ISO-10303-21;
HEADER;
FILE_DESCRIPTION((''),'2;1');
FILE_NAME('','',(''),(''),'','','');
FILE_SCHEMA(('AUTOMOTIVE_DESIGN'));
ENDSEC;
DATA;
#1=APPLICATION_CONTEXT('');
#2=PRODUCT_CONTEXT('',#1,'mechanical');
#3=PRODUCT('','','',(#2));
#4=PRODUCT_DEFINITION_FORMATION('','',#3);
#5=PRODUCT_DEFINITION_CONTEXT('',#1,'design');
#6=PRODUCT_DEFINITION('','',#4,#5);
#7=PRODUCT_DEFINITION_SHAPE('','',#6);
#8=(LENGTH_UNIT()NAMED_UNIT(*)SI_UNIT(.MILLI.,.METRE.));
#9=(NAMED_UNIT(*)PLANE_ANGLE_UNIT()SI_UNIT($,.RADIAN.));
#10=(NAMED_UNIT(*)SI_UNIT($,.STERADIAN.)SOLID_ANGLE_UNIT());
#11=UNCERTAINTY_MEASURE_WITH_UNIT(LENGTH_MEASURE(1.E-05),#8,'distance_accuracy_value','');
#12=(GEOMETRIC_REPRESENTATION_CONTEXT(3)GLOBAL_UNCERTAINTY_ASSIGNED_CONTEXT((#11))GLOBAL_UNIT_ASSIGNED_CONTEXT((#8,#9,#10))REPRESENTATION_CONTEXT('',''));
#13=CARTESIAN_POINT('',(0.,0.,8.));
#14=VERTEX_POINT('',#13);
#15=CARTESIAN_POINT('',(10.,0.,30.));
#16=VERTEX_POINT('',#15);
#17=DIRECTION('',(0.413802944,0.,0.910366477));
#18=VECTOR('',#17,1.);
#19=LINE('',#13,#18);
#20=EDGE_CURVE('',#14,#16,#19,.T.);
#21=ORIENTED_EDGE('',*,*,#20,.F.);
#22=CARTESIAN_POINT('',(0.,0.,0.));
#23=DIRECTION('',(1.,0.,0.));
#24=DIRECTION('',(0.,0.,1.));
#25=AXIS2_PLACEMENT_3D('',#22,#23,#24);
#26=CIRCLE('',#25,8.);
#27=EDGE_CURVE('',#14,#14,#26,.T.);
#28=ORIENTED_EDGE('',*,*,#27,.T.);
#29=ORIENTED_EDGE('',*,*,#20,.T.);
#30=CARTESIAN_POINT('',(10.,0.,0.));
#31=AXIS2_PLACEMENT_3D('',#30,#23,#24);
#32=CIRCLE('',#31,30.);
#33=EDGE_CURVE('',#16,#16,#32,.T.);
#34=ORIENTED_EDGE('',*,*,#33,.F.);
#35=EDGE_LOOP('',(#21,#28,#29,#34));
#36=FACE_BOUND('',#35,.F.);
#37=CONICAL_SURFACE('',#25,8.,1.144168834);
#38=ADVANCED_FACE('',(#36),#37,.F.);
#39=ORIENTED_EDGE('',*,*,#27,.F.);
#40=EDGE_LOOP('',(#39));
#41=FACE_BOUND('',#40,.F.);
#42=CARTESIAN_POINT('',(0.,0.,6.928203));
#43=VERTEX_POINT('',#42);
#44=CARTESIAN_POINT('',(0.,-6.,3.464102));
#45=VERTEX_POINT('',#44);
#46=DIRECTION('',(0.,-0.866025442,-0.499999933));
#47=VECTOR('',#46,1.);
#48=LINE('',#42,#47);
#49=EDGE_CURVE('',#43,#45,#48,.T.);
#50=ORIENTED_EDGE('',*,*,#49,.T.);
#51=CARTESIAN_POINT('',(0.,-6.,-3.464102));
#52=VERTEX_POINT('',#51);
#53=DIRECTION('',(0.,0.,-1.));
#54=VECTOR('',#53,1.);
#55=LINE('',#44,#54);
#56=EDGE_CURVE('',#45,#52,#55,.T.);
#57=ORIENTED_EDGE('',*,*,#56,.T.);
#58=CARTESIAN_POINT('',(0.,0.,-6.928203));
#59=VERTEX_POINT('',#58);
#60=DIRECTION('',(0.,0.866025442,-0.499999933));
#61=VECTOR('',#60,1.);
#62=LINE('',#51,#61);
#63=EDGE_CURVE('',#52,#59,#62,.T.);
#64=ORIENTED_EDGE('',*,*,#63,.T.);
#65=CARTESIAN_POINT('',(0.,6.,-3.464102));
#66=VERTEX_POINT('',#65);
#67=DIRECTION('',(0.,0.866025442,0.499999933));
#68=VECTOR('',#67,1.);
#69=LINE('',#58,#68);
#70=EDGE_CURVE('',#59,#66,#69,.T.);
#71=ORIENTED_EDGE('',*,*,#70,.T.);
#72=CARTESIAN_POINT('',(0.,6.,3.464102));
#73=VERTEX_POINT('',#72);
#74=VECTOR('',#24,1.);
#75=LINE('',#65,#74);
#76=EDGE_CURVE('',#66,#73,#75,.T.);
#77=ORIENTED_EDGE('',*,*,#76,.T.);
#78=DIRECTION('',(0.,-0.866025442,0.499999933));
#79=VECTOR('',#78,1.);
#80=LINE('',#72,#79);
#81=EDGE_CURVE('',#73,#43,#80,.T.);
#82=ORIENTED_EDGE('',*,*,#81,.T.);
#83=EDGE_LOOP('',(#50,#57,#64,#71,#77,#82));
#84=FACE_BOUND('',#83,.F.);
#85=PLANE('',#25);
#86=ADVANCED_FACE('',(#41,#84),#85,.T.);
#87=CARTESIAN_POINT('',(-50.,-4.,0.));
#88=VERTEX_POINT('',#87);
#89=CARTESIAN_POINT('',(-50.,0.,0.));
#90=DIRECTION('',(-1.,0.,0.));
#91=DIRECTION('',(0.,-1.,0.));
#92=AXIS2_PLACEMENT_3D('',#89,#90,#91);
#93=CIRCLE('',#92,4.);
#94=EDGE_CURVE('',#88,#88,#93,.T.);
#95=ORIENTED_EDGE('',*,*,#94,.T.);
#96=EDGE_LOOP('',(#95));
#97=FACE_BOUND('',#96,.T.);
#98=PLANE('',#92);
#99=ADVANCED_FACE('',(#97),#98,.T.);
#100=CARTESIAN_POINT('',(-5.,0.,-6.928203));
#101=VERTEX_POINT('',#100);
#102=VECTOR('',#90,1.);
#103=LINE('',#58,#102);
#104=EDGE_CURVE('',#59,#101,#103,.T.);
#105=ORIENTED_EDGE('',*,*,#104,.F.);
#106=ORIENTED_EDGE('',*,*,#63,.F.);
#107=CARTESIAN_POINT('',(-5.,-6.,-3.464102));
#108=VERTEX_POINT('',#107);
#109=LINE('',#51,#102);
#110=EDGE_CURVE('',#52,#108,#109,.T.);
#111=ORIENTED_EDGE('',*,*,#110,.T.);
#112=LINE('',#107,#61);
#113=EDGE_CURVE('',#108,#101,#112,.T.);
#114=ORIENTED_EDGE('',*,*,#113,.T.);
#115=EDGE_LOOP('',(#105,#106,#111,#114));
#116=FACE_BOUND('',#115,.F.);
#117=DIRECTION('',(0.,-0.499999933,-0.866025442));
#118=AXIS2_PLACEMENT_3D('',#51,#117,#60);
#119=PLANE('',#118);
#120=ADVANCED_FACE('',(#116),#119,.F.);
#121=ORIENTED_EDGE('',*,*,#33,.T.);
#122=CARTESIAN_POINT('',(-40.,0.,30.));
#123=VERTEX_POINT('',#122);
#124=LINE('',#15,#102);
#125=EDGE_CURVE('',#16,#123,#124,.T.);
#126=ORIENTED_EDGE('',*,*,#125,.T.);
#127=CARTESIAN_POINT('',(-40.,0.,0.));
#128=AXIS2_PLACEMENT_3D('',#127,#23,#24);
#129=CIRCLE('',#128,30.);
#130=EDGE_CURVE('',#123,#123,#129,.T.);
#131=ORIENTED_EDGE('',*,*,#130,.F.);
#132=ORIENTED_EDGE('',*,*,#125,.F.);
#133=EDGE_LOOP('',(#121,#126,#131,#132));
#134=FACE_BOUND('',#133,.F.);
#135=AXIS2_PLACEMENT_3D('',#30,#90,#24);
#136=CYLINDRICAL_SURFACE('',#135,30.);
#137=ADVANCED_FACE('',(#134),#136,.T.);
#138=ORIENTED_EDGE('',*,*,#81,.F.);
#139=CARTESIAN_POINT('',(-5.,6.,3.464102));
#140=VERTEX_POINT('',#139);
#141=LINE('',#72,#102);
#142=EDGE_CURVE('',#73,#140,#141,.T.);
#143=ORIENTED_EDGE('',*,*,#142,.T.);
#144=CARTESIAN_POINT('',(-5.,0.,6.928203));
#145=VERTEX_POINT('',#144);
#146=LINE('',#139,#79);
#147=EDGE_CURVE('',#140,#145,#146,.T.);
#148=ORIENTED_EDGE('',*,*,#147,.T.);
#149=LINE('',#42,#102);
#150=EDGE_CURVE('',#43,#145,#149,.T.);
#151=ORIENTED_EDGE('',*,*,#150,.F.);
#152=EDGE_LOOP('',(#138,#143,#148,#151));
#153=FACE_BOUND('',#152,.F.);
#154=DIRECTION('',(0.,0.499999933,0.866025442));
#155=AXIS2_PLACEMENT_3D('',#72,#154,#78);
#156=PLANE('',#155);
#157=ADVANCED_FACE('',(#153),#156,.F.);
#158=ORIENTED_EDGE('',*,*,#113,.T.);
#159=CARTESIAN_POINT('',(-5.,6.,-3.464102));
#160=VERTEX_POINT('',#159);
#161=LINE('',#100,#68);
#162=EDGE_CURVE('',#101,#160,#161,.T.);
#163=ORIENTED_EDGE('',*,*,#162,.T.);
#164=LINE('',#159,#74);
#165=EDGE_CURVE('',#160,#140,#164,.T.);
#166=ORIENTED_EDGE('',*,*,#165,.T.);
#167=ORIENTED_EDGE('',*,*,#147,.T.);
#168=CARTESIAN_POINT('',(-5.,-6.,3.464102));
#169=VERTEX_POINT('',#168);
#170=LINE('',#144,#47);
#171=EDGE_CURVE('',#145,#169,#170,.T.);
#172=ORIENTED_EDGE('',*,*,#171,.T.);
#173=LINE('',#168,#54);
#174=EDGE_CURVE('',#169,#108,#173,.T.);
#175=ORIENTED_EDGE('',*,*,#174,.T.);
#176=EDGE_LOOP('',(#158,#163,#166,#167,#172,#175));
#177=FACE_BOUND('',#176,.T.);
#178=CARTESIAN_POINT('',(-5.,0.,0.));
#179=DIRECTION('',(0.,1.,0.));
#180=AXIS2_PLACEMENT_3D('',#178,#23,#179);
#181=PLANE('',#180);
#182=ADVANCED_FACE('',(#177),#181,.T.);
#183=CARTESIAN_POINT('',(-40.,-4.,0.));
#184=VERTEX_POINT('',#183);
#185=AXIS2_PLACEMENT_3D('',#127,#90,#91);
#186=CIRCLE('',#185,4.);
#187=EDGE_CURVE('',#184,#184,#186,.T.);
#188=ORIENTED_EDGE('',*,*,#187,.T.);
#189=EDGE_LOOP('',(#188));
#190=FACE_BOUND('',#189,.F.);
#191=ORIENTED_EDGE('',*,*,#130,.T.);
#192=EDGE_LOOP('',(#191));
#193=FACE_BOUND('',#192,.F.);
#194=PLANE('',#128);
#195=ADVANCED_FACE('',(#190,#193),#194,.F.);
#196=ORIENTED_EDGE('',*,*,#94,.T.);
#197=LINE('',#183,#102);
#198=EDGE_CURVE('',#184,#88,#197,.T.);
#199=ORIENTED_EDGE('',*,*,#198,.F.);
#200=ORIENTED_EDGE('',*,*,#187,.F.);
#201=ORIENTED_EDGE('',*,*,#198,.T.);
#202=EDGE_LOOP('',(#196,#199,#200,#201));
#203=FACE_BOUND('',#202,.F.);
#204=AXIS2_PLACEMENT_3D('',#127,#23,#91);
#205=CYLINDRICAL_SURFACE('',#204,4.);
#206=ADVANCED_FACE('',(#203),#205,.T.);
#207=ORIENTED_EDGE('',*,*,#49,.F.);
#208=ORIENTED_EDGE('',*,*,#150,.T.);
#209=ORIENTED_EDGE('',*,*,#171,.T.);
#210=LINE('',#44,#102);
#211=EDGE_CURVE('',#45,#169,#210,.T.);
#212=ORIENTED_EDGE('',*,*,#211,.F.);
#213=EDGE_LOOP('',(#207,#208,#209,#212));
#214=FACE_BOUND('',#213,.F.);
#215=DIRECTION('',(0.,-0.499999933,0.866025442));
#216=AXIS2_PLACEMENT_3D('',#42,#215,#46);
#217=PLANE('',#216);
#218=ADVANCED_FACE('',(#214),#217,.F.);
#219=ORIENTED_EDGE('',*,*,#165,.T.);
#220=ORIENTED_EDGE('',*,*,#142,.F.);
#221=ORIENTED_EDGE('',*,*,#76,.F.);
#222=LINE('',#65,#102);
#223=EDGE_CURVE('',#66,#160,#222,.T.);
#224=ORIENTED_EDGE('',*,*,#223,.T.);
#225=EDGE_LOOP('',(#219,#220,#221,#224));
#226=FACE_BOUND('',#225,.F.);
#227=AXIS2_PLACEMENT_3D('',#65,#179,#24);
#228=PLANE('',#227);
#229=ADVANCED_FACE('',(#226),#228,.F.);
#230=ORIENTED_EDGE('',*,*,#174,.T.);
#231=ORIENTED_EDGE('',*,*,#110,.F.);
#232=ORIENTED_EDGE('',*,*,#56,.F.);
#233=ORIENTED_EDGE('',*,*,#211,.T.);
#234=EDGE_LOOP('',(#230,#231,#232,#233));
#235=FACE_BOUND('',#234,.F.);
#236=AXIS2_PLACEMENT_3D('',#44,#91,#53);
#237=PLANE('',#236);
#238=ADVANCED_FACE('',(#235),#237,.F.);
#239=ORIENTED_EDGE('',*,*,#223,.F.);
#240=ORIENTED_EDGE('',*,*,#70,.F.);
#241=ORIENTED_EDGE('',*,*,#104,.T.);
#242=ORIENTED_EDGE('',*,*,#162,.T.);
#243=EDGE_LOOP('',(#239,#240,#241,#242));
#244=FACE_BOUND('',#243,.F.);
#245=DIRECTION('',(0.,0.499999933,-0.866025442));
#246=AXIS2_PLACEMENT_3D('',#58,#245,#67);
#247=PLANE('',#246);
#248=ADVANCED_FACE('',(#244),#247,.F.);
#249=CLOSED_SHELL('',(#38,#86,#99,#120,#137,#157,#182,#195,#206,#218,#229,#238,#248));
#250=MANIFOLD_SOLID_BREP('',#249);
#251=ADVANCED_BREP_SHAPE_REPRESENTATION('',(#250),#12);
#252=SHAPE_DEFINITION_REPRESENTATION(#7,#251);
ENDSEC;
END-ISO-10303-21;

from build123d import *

# Parameters (mm, degrees)
F3_DEPTH = 5
F4_R     = 4
F5_DEPTH = 10


with BuildPart() as f1:
    # F0 (on Front) → F1 (revolve)
    with BuildSketch(Plane.XZ):
        Polygon((10, 30), (-40, 30), (-40, 0), (0, 0), (0, 8), align=None)
    revolve(axis=Axis((-2.905972, 0, 0), (1, 0, 0)))

    # F2 (on face) → F3 (cut)
    with BuildSketch(Plane.YZ):
        Polygon((0, -6.928203), (6, -3.464102), (6, 3.464102), (0, 6.928203), (-6, 3.464102), (-6, -3.464102), align=None)
    extrude(amount=-F3_DEPTH, mode=Mode.SUBTRACT)

    # F4 (on face) → F5 (join)
    with BuildSketch(Plane(origin=(-40, 0, 0), x_dir=(0, -1, 0), z_dir=(-1, 0, 0))):
        Circle(F4_R)
    extrude(amount=F5_DEPTH)


solid = f1.part
